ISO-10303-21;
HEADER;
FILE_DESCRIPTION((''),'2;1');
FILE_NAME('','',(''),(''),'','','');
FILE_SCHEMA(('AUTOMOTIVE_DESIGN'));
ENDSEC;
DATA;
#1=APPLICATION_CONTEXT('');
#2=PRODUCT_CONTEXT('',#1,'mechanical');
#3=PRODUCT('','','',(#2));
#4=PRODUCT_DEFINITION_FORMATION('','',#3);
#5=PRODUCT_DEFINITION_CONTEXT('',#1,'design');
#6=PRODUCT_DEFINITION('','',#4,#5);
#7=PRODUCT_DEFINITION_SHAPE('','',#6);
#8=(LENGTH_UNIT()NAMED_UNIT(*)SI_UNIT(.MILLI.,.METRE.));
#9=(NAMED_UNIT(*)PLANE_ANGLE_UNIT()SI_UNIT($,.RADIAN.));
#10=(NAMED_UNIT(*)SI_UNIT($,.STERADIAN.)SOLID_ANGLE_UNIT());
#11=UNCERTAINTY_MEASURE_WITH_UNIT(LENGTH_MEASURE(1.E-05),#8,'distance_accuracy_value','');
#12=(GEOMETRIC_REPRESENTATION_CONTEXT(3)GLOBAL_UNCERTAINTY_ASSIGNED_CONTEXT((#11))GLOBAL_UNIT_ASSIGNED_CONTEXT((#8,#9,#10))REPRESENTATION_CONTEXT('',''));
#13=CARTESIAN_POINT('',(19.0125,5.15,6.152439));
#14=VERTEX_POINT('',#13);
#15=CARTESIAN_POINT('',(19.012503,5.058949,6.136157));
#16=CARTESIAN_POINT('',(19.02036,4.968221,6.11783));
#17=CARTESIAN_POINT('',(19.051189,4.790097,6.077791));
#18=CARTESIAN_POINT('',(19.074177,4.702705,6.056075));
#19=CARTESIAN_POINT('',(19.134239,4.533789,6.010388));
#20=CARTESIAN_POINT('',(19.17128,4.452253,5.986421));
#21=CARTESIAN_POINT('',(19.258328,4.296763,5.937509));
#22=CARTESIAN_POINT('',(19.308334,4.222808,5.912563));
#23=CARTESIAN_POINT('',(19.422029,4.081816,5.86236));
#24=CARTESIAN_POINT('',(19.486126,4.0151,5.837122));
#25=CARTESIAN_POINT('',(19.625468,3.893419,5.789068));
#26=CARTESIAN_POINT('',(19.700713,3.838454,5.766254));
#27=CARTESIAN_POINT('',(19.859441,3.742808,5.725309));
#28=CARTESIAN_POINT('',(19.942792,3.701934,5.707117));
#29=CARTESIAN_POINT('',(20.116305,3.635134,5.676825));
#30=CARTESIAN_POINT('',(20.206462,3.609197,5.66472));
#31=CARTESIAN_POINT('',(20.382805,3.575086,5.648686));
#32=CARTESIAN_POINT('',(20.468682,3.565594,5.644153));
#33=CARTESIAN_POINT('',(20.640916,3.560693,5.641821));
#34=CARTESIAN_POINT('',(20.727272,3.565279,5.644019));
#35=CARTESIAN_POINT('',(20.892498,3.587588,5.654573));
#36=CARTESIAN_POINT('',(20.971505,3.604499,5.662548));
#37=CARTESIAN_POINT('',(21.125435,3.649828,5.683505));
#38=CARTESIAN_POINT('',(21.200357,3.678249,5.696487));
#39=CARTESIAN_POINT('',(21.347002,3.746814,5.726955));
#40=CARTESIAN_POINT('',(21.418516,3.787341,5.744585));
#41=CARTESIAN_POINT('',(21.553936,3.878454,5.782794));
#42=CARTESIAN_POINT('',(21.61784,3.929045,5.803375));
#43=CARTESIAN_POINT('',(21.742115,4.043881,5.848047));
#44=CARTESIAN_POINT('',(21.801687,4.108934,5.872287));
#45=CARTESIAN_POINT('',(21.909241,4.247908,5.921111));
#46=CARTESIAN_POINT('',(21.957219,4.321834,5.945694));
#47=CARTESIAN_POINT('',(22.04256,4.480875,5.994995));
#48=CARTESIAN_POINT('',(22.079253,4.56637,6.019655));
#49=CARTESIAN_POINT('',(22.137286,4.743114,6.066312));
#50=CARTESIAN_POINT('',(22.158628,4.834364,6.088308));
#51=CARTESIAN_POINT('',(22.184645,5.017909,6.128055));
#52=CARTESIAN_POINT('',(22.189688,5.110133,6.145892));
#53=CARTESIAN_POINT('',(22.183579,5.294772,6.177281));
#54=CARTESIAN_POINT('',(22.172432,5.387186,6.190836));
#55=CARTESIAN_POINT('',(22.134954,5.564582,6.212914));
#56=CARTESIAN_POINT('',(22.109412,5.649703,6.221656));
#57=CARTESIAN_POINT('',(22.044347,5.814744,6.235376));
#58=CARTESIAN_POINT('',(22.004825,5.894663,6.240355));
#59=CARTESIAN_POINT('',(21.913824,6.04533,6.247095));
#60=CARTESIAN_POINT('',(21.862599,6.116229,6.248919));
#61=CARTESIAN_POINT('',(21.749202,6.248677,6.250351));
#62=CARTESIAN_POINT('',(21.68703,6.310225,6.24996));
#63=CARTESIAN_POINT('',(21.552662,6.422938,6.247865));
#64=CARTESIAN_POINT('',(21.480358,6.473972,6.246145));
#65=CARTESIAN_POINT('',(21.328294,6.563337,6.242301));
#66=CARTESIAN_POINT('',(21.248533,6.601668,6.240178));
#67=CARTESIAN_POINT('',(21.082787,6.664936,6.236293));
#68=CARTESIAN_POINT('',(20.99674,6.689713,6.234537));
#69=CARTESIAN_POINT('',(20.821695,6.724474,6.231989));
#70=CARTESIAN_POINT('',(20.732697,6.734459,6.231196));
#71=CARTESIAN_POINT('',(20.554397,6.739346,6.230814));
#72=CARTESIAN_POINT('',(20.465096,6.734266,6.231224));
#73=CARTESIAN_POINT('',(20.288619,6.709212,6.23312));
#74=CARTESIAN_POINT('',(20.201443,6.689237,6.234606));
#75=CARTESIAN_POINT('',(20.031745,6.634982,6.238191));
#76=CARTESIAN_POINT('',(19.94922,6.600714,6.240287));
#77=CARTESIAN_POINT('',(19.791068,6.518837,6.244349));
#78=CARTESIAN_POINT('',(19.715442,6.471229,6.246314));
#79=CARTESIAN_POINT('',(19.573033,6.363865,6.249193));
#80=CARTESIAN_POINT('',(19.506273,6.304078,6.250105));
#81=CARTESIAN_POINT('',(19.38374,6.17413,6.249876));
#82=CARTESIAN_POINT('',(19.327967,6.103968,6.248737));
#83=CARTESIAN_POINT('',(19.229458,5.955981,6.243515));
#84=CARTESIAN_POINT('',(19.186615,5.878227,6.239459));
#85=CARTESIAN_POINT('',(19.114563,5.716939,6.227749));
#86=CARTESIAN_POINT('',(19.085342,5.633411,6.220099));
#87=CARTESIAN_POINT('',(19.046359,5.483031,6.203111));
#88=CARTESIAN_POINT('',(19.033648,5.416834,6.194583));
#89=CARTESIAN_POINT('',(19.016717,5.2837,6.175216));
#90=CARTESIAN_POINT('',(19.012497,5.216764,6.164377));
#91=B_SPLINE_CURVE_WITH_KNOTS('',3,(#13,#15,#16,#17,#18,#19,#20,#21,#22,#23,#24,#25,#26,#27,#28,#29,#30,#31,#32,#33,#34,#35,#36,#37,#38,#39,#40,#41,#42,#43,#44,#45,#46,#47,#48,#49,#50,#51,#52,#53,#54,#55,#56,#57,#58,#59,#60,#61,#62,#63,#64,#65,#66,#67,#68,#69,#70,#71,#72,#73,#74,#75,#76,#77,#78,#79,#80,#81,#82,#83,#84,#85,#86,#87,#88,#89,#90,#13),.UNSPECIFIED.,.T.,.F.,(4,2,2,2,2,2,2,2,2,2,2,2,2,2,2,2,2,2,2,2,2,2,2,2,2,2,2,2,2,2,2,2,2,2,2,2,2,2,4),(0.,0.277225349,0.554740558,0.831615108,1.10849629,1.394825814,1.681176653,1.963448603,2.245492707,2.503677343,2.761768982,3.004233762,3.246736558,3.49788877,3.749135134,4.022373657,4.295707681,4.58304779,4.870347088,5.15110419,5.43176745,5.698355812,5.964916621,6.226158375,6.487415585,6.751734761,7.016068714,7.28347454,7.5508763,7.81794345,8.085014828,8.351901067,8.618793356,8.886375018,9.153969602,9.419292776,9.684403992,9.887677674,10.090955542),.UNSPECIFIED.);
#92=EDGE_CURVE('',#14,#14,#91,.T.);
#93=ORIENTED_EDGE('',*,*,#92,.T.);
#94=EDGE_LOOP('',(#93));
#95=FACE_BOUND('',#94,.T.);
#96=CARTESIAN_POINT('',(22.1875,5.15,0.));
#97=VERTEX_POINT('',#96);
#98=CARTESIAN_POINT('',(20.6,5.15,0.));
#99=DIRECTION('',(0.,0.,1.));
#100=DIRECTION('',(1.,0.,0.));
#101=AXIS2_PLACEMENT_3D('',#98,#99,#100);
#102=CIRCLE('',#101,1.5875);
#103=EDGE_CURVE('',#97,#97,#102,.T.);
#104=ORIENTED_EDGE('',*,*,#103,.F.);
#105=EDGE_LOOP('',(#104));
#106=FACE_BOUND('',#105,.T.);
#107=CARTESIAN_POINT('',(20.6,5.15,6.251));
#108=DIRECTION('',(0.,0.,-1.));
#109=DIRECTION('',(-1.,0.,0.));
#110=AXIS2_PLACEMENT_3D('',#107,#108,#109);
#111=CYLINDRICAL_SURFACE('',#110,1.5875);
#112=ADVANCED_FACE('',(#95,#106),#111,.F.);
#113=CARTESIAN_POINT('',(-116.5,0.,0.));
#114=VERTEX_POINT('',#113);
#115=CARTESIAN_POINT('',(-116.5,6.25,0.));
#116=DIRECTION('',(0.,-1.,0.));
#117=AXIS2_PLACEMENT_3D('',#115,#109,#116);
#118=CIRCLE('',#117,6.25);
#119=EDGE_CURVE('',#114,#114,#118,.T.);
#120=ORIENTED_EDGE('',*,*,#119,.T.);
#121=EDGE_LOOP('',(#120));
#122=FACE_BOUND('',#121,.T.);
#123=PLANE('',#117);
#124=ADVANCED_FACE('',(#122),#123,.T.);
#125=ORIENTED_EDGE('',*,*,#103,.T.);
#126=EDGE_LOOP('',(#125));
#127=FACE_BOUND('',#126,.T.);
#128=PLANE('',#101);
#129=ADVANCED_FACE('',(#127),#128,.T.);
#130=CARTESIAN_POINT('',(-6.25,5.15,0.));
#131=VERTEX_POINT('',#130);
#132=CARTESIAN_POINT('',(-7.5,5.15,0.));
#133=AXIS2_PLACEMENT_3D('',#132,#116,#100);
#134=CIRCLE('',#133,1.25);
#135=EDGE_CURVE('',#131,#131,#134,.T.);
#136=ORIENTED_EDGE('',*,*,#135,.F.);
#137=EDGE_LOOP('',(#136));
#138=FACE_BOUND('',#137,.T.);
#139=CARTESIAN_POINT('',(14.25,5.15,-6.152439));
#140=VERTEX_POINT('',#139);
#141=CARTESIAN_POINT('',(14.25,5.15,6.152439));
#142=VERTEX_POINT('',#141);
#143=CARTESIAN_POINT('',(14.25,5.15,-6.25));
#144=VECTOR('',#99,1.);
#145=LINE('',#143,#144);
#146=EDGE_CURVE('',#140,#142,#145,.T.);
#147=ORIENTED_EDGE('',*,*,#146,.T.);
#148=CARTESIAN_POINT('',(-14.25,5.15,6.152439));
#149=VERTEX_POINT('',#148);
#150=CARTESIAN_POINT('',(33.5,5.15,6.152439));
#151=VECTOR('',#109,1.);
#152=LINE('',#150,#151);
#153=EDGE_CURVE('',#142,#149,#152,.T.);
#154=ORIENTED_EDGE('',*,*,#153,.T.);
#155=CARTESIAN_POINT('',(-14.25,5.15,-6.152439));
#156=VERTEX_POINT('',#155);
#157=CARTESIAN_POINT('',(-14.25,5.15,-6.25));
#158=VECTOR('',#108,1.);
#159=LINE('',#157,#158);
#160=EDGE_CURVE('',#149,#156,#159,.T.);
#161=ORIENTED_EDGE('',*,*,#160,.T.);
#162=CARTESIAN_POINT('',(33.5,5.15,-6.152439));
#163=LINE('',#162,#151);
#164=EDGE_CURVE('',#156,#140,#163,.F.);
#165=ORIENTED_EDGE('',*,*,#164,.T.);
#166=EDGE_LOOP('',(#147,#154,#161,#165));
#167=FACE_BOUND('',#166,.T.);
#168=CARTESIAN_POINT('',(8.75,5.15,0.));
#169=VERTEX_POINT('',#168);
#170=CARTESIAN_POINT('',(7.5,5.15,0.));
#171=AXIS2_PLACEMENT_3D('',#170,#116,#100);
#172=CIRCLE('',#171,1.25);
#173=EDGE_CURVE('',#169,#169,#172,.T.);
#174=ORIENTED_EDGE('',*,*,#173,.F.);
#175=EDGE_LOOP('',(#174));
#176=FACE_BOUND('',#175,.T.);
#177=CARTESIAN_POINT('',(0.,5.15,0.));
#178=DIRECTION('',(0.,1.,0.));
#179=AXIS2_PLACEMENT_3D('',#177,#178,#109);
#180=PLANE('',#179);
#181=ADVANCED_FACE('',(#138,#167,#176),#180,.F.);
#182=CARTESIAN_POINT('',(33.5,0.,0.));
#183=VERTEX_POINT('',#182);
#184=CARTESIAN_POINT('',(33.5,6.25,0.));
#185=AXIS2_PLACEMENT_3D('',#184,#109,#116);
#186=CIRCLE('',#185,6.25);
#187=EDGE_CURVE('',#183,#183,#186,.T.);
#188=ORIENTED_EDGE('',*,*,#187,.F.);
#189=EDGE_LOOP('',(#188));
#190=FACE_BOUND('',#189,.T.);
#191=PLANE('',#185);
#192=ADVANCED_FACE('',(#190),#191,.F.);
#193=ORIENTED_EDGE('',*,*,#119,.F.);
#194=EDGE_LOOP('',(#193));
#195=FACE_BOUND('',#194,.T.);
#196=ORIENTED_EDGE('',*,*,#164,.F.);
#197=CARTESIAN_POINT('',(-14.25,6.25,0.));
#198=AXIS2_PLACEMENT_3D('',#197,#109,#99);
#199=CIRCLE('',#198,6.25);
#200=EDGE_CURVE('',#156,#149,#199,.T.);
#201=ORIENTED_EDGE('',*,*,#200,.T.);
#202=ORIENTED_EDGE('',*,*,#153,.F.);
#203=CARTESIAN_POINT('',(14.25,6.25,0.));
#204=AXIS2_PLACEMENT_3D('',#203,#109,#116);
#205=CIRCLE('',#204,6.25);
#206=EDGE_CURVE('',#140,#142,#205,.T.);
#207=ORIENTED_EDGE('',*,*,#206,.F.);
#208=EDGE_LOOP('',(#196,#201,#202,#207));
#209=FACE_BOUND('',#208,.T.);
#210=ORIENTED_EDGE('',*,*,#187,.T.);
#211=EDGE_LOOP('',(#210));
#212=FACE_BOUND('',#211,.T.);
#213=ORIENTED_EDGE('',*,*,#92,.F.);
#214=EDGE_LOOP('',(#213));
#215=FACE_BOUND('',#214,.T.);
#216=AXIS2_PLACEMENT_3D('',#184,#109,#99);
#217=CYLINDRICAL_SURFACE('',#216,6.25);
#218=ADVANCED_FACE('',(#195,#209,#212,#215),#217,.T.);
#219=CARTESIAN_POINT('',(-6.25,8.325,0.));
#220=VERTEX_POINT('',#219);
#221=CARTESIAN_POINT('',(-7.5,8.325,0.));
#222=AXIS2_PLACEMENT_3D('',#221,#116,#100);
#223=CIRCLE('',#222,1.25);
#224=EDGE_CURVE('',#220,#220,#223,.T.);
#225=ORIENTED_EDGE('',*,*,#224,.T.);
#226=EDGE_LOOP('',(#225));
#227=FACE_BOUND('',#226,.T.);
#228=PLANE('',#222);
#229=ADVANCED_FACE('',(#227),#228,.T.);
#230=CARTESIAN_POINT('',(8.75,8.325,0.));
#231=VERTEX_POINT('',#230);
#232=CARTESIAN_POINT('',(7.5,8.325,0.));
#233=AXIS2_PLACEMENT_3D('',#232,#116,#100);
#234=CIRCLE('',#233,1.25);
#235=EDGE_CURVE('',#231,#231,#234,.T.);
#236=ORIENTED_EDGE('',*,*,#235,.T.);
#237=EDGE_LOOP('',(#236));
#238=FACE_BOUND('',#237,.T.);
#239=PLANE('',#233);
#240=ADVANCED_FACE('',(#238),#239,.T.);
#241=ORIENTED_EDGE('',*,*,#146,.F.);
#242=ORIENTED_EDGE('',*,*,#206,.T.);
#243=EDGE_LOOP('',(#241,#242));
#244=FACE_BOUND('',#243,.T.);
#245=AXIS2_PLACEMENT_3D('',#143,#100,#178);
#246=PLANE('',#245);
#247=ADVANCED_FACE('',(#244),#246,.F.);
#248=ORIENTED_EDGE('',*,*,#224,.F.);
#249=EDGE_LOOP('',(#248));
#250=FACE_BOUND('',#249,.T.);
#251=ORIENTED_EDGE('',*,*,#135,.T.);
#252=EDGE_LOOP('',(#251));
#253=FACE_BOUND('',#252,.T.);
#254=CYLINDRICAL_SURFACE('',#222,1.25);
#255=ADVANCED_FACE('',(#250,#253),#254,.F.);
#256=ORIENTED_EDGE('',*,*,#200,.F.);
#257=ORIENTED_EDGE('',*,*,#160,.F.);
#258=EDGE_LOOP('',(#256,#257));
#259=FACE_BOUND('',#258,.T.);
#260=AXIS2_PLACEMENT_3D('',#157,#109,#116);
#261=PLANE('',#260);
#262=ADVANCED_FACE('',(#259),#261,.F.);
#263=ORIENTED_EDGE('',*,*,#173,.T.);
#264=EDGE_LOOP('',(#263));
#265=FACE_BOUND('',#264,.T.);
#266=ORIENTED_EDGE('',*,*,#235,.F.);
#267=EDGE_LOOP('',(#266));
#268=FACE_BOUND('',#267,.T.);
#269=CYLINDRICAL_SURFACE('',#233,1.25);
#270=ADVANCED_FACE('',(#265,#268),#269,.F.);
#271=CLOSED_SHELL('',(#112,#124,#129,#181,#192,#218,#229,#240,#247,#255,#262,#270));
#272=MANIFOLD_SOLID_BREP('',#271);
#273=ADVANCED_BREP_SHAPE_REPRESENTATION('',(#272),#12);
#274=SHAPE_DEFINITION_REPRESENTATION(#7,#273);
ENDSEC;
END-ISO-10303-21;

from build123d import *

# Parameters (mm, degrees)
SKETCH1_R                = 1
SKETCH1_R_2              = 0.5
BOSS_EXTRUDE1_DEPTH      = 1.5
SKETCH2_W                = 5.75
SKETCH2_H                = 4
CUT_EXTRUDE1_DEPTH       = 1
BOSS_EXTRUDE2_DEPTH      = 25
BOSS_EXTRUDE2_DEPTH_BACK = 125
BOSS_EXTRUDE2_START      = 8.5
SKETCH5_R                = 6.25
SKETCH6_W                = 28.5
SKETCH6_H                = 12.5
CUT_EXTRUDE2_DEPTH       = 25
SKETCH7_R                = 1.25
CUT_EXTRUDE3_DEPTH       = 3.175
CUT_EXTRUDE4_REACH       = 119.335
CUT_EXTRUDE4_END_RADIUS  = 6.25
SKETCH8_R                = 1.5875


with BuildPart() as part:
    # Sketch1 → Boss-Extrude1 (new, symmetric)
    with BuildSketch(Plane.XY):
        Polygon((-8.5, -19.85), (-8.5, 0), (8.5, 0), (8.5, -19.85), (14.25, -19.85), (14.25, 10), (-14.25, 10), (-14.25, -19.85), align=None)
        with Locations((-7.5, 5)):
            Circle(SKETCH1_R, mode=Mode.SUBTRACT)
        with Locations((7.5, 5)):
            Circle(SKETCH1_R, mode=Mode.SUBTRACT)
        with Locations((-11.375, -17.35)):
            Circle(SKETCH1_R_2, mode=Mode.SUBTRACT)
        with Locations((11.375, -17.35)):
            Circle(SKETCH1_R_2, mode=Mode.SUBTRACT)
    extrude(amount=BOSS_EXTRUDE1_DEPTH, both=True)

    # Sketch2 → Cut-Extrude1 (cut)
    with BuildSketch(Plane.XY.offset(1.5)):
        with Locations((-11.375, -17.85)):
            Rectangle(SKETCH2_W, SKETCH2_H)
        with Locations((11.375, -17.85)):
            Rectangle(SKETCH2_W, SKETCH2_H)
    extrude(amount=-CUT_EXTRUDE1_DEPTH, mode=Mode.SUBTRACT)

    # Sketch5 → Boss-Extrude2 (add, two sides: drawn at the far end of the back side and taken through both)
    with BuildSketch(Plane(origin=(0, 0, 0), x_dir=(0, 0, -1), z_dir=(1, 0, 0)).offset(BOSS_EXTRUDE2_START - BOSS_EXTRUDE2_DEPTH_BACK)):
        with Locations(Location((0, 6.25, 0), (0, 0, 270))):
            Circle(SKETCH5_R)
    extrude(amount=BOSS_EXTRUDE2_DEPTH + BOSS_EXTRUDE2_DEPTH_BACK)

    # Sketch6 → Cut-Extrude2 (cut)
    with BuildSketch(Plane.XZ.offset(19.85)):
        Rectangle(SKETCH6_W, SKETCH6_H)
    extrude(amount=-CUT_EXTRUDE2_DEPTH, mode=Mode.SUBTRACT)

    # Sketch7 → Cut-Extrude3 (cut)
    with BuildSketch(Plane(origin=(0, 5.15, 0), x_dir=(-1, 0, 0), z_dir=(0, -1, 0))):
        with Locations(Location((7.5, 0, 0), (0, 0, 180))):
            Circle(SKETCH7_R)
        with Locations(Location((-7.5, 0, 0), (0, 0, 180))):
            Circle(SKETCH7_R)
    extrude(amount=-CUT_EXTRUDE3_DEPTH, mode=Mode.SUBTRACT)

    # Cut-Extrude4: up to this cylinder (the profile starts inside it)
    cut_extrude4_end = Plane(origin=(20.6, 6.25, 0), z_dir=(-1, 0, 0)) * Cylinder(CUT_EXTRUDE4_END_RADIUS, 252.17, mode=Mode.PRIVATE)
    # Sketch8 → Cut-Extrude4 (cut, up to the surface)
    with BuildSketch(Plane.XY, mode=Mode.PRIVATE) as cut_extrude4_sk1:
        with Locations(Location((20.6, 5.15, 0), (0, 0, 180))):
            Circle(SKETCH8_R)
    cut_extrude4_tool1 = extrude(cut_extrude4_sk1.sketch, amount=CUT_EXTRUDE4_REACH, mode=Mode.PRIVATE) & cut_extrude4_end
    add(cut_extrude4_tool1.solids().sort_by_distance((20.6, 5.15, 0))[0], mode=Mode.SUBTRACT)


solid = part.part
